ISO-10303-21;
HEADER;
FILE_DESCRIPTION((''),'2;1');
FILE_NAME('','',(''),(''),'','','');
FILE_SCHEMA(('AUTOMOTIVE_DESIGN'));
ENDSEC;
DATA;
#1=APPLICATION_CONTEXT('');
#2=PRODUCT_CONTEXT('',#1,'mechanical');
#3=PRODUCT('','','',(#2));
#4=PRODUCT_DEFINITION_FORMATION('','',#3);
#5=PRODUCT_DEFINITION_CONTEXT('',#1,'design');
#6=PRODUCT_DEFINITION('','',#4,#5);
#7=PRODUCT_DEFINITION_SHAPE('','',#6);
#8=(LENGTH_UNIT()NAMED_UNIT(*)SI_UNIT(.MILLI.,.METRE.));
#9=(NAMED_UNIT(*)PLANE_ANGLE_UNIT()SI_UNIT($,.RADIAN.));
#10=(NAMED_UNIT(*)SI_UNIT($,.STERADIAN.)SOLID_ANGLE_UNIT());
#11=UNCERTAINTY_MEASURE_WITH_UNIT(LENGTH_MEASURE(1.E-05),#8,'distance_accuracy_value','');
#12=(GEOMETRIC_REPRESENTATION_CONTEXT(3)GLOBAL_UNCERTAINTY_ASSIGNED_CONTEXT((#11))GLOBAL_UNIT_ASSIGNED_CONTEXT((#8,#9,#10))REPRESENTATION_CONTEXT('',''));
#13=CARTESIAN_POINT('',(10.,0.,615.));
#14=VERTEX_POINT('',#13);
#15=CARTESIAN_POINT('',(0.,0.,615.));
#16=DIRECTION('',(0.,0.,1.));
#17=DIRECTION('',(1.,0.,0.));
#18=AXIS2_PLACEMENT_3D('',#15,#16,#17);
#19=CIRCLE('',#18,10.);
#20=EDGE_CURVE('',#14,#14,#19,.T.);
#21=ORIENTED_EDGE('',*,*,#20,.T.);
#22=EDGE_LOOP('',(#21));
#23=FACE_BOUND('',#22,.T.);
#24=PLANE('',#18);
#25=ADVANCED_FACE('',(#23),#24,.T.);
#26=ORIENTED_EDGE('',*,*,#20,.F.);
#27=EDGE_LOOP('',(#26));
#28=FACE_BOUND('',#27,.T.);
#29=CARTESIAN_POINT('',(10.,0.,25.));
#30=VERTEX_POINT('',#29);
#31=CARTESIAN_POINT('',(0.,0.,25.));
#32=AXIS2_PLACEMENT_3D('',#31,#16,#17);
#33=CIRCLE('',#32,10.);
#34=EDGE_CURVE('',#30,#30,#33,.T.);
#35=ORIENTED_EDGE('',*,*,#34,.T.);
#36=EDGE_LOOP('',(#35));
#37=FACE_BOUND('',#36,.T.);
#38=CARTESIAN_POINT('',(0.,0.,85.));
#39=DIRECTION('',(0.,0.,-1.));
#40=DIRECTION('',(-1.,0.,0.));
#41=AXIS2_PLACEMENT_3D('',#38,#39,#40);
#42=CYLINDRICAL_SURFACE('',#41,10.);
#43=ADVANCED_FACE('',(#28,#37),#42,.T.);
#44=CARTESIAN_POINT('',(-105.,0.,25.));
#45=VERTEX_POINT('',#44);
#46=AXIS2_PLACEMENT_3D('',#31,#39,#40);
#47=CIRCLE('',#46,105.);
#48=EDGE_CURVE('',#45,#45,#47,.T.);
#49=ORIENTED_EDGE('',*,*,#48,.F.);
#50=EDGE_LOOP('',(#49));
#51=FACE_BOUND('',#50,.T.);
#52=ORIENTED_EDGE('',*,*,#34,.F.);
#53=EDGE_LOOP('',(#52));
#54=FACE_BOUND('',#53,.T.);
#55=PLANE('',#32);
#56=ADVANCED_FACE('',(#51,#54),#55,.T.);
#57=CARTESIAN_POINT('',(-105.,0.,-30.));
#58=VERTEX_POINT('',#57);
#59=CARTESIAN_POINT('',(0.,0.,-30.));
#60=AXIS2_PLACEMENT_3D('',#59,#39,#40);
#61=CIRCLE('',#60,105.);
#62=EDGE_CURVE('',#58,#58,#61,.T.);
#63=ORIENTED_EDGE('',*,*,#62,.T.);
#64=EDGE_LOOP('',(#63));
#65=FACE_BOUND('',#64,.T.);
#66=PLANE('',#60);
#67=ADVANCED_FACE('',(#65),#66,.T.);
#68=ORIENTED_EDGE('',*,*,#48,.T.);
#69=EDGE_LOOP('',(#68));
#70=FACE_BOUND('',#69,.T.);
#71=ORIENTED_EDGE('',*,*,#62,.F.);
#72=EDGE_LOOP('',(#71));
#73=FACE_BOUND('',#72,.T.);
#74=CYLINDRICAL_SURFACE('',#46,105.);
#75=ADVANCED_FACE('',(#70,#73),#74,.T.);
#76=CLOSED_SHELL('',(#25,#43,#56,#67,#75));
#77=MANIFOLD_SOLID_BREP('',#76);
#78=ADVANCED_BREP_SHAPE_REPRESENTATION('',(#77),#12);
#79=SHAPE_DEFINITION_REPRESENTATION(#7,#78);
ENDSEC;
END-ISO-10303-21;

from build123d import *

# Parameters (mm, degrees)
SKETCH1_R                = 88
BOSS_EXTRUDE3_DEPTH      = 25
SKETCH4_W                = 10.4719
SKETCH4_H                = 13.351164338
BOSS_EXTRUDE4_DEPTH      = 25
FILLET2_R                = 4
CIRPATTERN1_COUNT        = 30
FILLET2_OF_CIRPATTERN1_R = 4
SKETCH6_R                = 10
BOSS_EXTRUDE5_DEPTH      = 60
BOSS_EXTRUDE6_START      = 10
SKETCH7_R                = 10
BOSS_EXTRUDE6_DEPTH      = 10
SKETCH8_R                = 10
BOSS_EXTRUDE7_DEPTH      = 10
SKETCH9_R                = 10
BOSS_EXTRUDE8_DEPTH      = 25
SKETCH10_R               = 10
BOSS_EXTRUDE9_DEPTH      = 42.5
SKETCH12_R               = 12.5
CUT_EXTRUDE1_DEPTH       = 12
CUT_EXTRUDE2_START       = -55.5
SKETCH13_R               = 10
CUT_EXTRUDE2_DEPTH       = 55.5
SKETCH14_R               = 10
BOSS_EXTRUDE10_DEPTH     = 440
SKETCH15_R               = 105
BOSS_EXTRUDE12_DEPTH     = 25
BOSS_EXTRUDE13_START     = 30
SKETCH16_R               = 105
BOSS_EXTRUDE13_DEPTH     = 30
SKETCH17_R               = 10
BOSS_EXTRUDE14_DEPTH     = 50
SKETCH18_R               = 10
BOSS_EXTRUDE15_DEPTH     = 30


with BuildPart() as part:
    # Sketch1 → Boss-Extrude3 (new body)
    with BuildSketch(Plane.XY):
        Circle(SKETCH1_R)
    extrude(amount=BOSS_EXTRUDE3_DEPTH)

    # Sketch4 → Boss-Extrude4 (add)
    with BuildSketch(Plane.XY.offset(25)):
        with Locations((0, 93.324417831)):
            Rectangle(SKETCH4_W, SKETCH4_H)
    boss_extrude4 = extrude(amount=-BOSS_EXTRUDE4_DEPTH)

    # Fillet2
    fillet2_edges = [part.edges().sort_by_distance(p)[0] for p in [
        (5.23595, 100, 12.5),
        (0, 100, 0),
        (-5.23595, 100, 12.5),
        (0, 100, 25),
    ]]
    fillet(fillet2_edges, radius=FILLET2_R)

    # CirPattern1: Boss-Extrude4 ×30 about axis
    cirpattern1_axis = Axis((0, 0.317667884, 0), (0, 0, 1))
    for i in range(1, CIRPATTERN1_COUNT):
        add(boss_extrude4.rotate(cirpattern1_axis, i * 360 / CIRPATTERN1_COUNT))

    # Fillet2 of CirPattern1
    fillet2_of_cirpattern1_edges = [part.edges().sort_by_distance(p)[0] for p in [
        (-15.603590285, 98.910317096, 12.5),
        (-20.725122215, 97.821701879, 0),
        (-25.846654145, 96.733086661, 12.5),
        (-20.725122215, 97.821701879, 25),
        (-35.7611788, 93.511662322, 12.5),
        (-40.544457139, 91.382009596, 0),
        (-45.327735478, 89.252356869, 12.5),
        (-40.544457139, 91.382009596, 25),
        (-54.3558322, 84.039982796, 12.5),
        (-58.591804732, 80.962368605, 0),
        (-62.827777264, 77.884754413, 12.5),
        (-58.591804732, 80.962368605, 25),
        (-70.574874905, 70.909236365, 12.5),
        (-74.078409304, 67.018167216, 0),
        (-77.581943702, 63.127098067, 12.5),
        (-74.078409304, 67.018167216, 25),
        (-83.709456921, 54.693299655, 12.5),
        (-86.327431921, 50.158833942, 0),
        (-88.945406921, 45.624368229, 12.5),
        (-86.327431921, 50.158833942, 25),
        (-93.185533987, 36.100886913, 12.5),
        (-94.803531519, 31.121202547, 0),
        (-96.42152905, 26.14151818, 12.5),
        (-94.803531519, 31.121202547, 25),
        (-98.588956064, 15.944575793, 12.5),
        (-99.136261871, 10.737308875, 0),
        (-99.683567678, 5.530041957, 12.5),
        (-99.136261871, 10.737308875, 25),
        (-99.683567678, -4.894706189, 12.5),
        (-99.136261871, -10.101973107, 0),
        (-98.588956064, -15.309240025, 12.5),
        (-99.136261871, -10.101973107, 25),
        (-96.42152905, -25.506182413, 12.5),
        (-94.803531519, -30.485866779, 0),
        (-93.185533987, -35.465551145, 12.5),
        (-94.803531519, -30.485866779, 25),
        (-88.945406921, -44.989032461, 12.5),
        (-86.327431921, -49.523498174, 0),
        (-83.709456921, -54.057963887, 12.5),
        (-86.327431921, -49.523498174, 25),
        (-77.581943702, -62.491762299, 12.5),
        (-74.078409304, -66.382831448, 0),
        (-70.574874905, -70.273900597, 12.5),
        (-74.078409304, -66.382831448, 25),
        (-62.827777264, -77.249418645, 12.5),
        (-58.591804732, -80.327032837, 0),
        (-54.3558322, -83.404647029, 12.5),
        (-58.591804732, -80.327032837, 25),
        (-45.327735478, -88.617021102, 12.5),
        (-40.544457139, -90.746673828, 0),
        (-35.7611788, -92.876326554, 12.5),
        (-40.544457139, -90.746673828, 25),
        (-25.846654145, -96.097750894, 12.5),
        (-20.725122215, -97.186366111, 0),
        (-15.603590285, -98.274981329, 12.5),
        (-20.725122215, -97.186366111, 25),
        (-5.23595, -99.364664232, 12.5),
        (0, -99.364664232, 0),
        (5.23595, -99.364664232, 12.5),
        (0, -99.364664232, 25),
        (15.603590285, -98.274981329, 12.5),
        (20.725122215, -97.186366111, 0),
        (25.846654145, -96.097750894, 12.5),
        (20.725122215, -97.186366111, 25),
        (35.7611788, -92.876326554, 12.5),
        (40.544457139, -90.746673828, 0),
        (45.327735478, -88.617021102, 12.5),
        (40.544457139, -90.746673828, 25),
        (54.3558322, -83.404647029, 12.5),
        (58.591804732, -80.327032837, 0),
        (62.827777264, -77.249418645, 12.5),
        (58.591804732, -80.327032837, 25),
        (70.574874905, -70.273900597, 12.5),
        (74.078409304, -66.382831448, 0),
        (77.581943702, -62.491762299, 12.5),
        (74.078409304, -66.382831448, 25),
        (83.709456921, -54.057963887, 12.5),
        (86.327431921, -49.523498174, 0),
        (88.945406921, -44.989032461, 12.5),
        (86.327431921, -49.523498174, 25),
        (93.185533987, -35.465551145, 12.5),
        (94.803531519, -30.485866779, 0),
        (96.42152905, -25.506182413, 12.5),
        (94.803531519, -30.485866779, 25),
        (98.588956064, -15.309240025, 12.5),
        (99.136261871, -10.101973107, 0),
        (99.683567678, -4.894706189, 12.5),
        (99.136261871, -10.101973107, 25),
        (99.683567678, 5.530041957, 12.5),
        (99.136261871, 10.737308875, 0),
        (98.588956064, 15.944575793, 12.5),
        (99.136261871, 10.737308875, 25),
        (96.42152905, 26.14151818, 12.5),
        (94.803531519, 31.121202547, 0),
        (93.185533987, 36.100886913, 12.5),
        (94.803531519, 31.121202547, 25),
        (88.945406921, 45.624368229, 12.5),
        (86.327431921, 50.158833942, 0),
        (83.709456921, 54.693299655, 12.5),
        (86.327431921, 50.158833942, 25),
        (77.581943702, 63.127098067, 12.5),
        (74.078409304, 67.018167216, 0),
        (70.574874905, 70.909236365, 12.5),
        (74.078409304, 67.018167216, 25),
        (62.827777264, 77.884754413, 12.5),
        (58.591804732, 80.962368605, 0),
        (54.3558322, 84.039982796, 12.5),
        (58.591804732, 80.962368605, 25),
        (45.327735478, 89.252356869, 12.5),
        (40.544457139, 91.382009596, 0),
        (35.7611788, 93.511662322, 12.5),
        (40.544457139, 91.382009596, 25),
        (25.846654145, 96.733086661, 12.5),
        (20.725122215, 97.821701879, 0),
        (15.603590285, 98.910317096, 12.5),
        (20.725122215, 97.821701879, 25),
    ]]
    fillet(fillet2_of_cirpattern1_edges, radius=FILLET2_OF_CIRPATTERN1_R)

    # Sketch6 → Boss-Extrude5 (add)
    with BuildSketch(Plane.XY.offset(25)):
        Circle(SKETCH6_R)
    extrude(amount=BOSS_EXTRUDE5_DEPTH)

    # Sketch7 → Boss-Extrude6 (add)
    with BuildSketch(Plane(origin=(0, 0, 0), x_dir=(-1, 0, 0), z_dir=(0, 0, -1)).offset(BOSS_EXTRUDE6_START)):
        with Locations(Location((0, 0, 0), (0, 0, 180))):
            Circle(SKETCH7_R)
    extrude(amount=-BOSS_EXTRUDE6_DEPTH)

    # Sketch8 → Boss-Extrude7 (add)
    with BuildSketch(Plane.XY.offset(85)):
        Circle(SKETCH8_R)
    extrude(amount=BOSS_EXTRUDE7_DEPTH)

    # Sketch9 → Boss-Extrude8 (add)
    with BuildSketch(Plane.XY.offset(95)):
        Circle(SKETCH9_R)
    extrude(amount=BOSS_EXTRUDE8_DEPTH)

    # Sketch10 → Boss-Extrude9 (add)
    with BuildSketch(Plane.XY.offset(120)):
        Circle(SKETCH10_R)
    extrude(amount=BOSS_EXTRUDE9_DEPTH)

    # Sketch12 → Cut-Extrude1 (cut)
    with BuildSketch(Plane.XY.offset(162.5)):
        Circle(SKETCH12_R)
    extrude(amount=-CUT_EXTRUDE1_DEPTH, mode=Mode.SUBTRACT)

    # Sketch13 → Cut-Extrude2 (cut)
    with BuildSketch(Plane.XY.offset(150.5).offset(CUT_EXTRUDE2_START)):
        Circle(SKETCH13_R)
    extrude(amount=CUT_EXTRUDE2_DEPTH, mode=Mode.SUBTRACT)

    # Sketch14 → Boss-Extrude10 (add)
    with BuildSketch(Plane.XY.offset(95)):
        Circle(SKETCH14_R)
    extrude(amount=BOSS_EXTRUDE10_DEPTH)

    # Sketch15 → Boss-Extrude12 (add)
    with BuildSketch(Plane(origin=(0, 0, 0), x_dir=(-1, 0, 0), z_dir=(0, 0, -1))):
        Circle(SKETCH15_R)
    extrude(amount=-BOSS_EXTRUDE12_DEPTH)

    # Sketch16 → Boss-Extrude13 (add)
    with BuildSketch(Plane(origin=(0, 0, 0), x_dir=(-1, 0, 0), z_dir=(0, 0, -1)).offset(BOSS_EXTRUDE13_START)):
        Circle(SKETCH16_R)
    extrude(amount=-BOSS_EXTRUDE13_DEPTH)

    # Sketch17 → Boss-Extrude14 (add)
    with BuildSketch(Plane.XY.offset(535)):
        Circle(SKETCH17_R)
    extrude(amount=BOSS_EXTRUDE14_DEPTH)

    # Sketch18 → Boss-Extrude15 (add)
    with BuildSketch(Plane.XY.offset(585)):
        Circle(SKETCH18_R)
    extrude(amount=BOSS_EXTRUDE15_DEPTH)


solid = part.part
